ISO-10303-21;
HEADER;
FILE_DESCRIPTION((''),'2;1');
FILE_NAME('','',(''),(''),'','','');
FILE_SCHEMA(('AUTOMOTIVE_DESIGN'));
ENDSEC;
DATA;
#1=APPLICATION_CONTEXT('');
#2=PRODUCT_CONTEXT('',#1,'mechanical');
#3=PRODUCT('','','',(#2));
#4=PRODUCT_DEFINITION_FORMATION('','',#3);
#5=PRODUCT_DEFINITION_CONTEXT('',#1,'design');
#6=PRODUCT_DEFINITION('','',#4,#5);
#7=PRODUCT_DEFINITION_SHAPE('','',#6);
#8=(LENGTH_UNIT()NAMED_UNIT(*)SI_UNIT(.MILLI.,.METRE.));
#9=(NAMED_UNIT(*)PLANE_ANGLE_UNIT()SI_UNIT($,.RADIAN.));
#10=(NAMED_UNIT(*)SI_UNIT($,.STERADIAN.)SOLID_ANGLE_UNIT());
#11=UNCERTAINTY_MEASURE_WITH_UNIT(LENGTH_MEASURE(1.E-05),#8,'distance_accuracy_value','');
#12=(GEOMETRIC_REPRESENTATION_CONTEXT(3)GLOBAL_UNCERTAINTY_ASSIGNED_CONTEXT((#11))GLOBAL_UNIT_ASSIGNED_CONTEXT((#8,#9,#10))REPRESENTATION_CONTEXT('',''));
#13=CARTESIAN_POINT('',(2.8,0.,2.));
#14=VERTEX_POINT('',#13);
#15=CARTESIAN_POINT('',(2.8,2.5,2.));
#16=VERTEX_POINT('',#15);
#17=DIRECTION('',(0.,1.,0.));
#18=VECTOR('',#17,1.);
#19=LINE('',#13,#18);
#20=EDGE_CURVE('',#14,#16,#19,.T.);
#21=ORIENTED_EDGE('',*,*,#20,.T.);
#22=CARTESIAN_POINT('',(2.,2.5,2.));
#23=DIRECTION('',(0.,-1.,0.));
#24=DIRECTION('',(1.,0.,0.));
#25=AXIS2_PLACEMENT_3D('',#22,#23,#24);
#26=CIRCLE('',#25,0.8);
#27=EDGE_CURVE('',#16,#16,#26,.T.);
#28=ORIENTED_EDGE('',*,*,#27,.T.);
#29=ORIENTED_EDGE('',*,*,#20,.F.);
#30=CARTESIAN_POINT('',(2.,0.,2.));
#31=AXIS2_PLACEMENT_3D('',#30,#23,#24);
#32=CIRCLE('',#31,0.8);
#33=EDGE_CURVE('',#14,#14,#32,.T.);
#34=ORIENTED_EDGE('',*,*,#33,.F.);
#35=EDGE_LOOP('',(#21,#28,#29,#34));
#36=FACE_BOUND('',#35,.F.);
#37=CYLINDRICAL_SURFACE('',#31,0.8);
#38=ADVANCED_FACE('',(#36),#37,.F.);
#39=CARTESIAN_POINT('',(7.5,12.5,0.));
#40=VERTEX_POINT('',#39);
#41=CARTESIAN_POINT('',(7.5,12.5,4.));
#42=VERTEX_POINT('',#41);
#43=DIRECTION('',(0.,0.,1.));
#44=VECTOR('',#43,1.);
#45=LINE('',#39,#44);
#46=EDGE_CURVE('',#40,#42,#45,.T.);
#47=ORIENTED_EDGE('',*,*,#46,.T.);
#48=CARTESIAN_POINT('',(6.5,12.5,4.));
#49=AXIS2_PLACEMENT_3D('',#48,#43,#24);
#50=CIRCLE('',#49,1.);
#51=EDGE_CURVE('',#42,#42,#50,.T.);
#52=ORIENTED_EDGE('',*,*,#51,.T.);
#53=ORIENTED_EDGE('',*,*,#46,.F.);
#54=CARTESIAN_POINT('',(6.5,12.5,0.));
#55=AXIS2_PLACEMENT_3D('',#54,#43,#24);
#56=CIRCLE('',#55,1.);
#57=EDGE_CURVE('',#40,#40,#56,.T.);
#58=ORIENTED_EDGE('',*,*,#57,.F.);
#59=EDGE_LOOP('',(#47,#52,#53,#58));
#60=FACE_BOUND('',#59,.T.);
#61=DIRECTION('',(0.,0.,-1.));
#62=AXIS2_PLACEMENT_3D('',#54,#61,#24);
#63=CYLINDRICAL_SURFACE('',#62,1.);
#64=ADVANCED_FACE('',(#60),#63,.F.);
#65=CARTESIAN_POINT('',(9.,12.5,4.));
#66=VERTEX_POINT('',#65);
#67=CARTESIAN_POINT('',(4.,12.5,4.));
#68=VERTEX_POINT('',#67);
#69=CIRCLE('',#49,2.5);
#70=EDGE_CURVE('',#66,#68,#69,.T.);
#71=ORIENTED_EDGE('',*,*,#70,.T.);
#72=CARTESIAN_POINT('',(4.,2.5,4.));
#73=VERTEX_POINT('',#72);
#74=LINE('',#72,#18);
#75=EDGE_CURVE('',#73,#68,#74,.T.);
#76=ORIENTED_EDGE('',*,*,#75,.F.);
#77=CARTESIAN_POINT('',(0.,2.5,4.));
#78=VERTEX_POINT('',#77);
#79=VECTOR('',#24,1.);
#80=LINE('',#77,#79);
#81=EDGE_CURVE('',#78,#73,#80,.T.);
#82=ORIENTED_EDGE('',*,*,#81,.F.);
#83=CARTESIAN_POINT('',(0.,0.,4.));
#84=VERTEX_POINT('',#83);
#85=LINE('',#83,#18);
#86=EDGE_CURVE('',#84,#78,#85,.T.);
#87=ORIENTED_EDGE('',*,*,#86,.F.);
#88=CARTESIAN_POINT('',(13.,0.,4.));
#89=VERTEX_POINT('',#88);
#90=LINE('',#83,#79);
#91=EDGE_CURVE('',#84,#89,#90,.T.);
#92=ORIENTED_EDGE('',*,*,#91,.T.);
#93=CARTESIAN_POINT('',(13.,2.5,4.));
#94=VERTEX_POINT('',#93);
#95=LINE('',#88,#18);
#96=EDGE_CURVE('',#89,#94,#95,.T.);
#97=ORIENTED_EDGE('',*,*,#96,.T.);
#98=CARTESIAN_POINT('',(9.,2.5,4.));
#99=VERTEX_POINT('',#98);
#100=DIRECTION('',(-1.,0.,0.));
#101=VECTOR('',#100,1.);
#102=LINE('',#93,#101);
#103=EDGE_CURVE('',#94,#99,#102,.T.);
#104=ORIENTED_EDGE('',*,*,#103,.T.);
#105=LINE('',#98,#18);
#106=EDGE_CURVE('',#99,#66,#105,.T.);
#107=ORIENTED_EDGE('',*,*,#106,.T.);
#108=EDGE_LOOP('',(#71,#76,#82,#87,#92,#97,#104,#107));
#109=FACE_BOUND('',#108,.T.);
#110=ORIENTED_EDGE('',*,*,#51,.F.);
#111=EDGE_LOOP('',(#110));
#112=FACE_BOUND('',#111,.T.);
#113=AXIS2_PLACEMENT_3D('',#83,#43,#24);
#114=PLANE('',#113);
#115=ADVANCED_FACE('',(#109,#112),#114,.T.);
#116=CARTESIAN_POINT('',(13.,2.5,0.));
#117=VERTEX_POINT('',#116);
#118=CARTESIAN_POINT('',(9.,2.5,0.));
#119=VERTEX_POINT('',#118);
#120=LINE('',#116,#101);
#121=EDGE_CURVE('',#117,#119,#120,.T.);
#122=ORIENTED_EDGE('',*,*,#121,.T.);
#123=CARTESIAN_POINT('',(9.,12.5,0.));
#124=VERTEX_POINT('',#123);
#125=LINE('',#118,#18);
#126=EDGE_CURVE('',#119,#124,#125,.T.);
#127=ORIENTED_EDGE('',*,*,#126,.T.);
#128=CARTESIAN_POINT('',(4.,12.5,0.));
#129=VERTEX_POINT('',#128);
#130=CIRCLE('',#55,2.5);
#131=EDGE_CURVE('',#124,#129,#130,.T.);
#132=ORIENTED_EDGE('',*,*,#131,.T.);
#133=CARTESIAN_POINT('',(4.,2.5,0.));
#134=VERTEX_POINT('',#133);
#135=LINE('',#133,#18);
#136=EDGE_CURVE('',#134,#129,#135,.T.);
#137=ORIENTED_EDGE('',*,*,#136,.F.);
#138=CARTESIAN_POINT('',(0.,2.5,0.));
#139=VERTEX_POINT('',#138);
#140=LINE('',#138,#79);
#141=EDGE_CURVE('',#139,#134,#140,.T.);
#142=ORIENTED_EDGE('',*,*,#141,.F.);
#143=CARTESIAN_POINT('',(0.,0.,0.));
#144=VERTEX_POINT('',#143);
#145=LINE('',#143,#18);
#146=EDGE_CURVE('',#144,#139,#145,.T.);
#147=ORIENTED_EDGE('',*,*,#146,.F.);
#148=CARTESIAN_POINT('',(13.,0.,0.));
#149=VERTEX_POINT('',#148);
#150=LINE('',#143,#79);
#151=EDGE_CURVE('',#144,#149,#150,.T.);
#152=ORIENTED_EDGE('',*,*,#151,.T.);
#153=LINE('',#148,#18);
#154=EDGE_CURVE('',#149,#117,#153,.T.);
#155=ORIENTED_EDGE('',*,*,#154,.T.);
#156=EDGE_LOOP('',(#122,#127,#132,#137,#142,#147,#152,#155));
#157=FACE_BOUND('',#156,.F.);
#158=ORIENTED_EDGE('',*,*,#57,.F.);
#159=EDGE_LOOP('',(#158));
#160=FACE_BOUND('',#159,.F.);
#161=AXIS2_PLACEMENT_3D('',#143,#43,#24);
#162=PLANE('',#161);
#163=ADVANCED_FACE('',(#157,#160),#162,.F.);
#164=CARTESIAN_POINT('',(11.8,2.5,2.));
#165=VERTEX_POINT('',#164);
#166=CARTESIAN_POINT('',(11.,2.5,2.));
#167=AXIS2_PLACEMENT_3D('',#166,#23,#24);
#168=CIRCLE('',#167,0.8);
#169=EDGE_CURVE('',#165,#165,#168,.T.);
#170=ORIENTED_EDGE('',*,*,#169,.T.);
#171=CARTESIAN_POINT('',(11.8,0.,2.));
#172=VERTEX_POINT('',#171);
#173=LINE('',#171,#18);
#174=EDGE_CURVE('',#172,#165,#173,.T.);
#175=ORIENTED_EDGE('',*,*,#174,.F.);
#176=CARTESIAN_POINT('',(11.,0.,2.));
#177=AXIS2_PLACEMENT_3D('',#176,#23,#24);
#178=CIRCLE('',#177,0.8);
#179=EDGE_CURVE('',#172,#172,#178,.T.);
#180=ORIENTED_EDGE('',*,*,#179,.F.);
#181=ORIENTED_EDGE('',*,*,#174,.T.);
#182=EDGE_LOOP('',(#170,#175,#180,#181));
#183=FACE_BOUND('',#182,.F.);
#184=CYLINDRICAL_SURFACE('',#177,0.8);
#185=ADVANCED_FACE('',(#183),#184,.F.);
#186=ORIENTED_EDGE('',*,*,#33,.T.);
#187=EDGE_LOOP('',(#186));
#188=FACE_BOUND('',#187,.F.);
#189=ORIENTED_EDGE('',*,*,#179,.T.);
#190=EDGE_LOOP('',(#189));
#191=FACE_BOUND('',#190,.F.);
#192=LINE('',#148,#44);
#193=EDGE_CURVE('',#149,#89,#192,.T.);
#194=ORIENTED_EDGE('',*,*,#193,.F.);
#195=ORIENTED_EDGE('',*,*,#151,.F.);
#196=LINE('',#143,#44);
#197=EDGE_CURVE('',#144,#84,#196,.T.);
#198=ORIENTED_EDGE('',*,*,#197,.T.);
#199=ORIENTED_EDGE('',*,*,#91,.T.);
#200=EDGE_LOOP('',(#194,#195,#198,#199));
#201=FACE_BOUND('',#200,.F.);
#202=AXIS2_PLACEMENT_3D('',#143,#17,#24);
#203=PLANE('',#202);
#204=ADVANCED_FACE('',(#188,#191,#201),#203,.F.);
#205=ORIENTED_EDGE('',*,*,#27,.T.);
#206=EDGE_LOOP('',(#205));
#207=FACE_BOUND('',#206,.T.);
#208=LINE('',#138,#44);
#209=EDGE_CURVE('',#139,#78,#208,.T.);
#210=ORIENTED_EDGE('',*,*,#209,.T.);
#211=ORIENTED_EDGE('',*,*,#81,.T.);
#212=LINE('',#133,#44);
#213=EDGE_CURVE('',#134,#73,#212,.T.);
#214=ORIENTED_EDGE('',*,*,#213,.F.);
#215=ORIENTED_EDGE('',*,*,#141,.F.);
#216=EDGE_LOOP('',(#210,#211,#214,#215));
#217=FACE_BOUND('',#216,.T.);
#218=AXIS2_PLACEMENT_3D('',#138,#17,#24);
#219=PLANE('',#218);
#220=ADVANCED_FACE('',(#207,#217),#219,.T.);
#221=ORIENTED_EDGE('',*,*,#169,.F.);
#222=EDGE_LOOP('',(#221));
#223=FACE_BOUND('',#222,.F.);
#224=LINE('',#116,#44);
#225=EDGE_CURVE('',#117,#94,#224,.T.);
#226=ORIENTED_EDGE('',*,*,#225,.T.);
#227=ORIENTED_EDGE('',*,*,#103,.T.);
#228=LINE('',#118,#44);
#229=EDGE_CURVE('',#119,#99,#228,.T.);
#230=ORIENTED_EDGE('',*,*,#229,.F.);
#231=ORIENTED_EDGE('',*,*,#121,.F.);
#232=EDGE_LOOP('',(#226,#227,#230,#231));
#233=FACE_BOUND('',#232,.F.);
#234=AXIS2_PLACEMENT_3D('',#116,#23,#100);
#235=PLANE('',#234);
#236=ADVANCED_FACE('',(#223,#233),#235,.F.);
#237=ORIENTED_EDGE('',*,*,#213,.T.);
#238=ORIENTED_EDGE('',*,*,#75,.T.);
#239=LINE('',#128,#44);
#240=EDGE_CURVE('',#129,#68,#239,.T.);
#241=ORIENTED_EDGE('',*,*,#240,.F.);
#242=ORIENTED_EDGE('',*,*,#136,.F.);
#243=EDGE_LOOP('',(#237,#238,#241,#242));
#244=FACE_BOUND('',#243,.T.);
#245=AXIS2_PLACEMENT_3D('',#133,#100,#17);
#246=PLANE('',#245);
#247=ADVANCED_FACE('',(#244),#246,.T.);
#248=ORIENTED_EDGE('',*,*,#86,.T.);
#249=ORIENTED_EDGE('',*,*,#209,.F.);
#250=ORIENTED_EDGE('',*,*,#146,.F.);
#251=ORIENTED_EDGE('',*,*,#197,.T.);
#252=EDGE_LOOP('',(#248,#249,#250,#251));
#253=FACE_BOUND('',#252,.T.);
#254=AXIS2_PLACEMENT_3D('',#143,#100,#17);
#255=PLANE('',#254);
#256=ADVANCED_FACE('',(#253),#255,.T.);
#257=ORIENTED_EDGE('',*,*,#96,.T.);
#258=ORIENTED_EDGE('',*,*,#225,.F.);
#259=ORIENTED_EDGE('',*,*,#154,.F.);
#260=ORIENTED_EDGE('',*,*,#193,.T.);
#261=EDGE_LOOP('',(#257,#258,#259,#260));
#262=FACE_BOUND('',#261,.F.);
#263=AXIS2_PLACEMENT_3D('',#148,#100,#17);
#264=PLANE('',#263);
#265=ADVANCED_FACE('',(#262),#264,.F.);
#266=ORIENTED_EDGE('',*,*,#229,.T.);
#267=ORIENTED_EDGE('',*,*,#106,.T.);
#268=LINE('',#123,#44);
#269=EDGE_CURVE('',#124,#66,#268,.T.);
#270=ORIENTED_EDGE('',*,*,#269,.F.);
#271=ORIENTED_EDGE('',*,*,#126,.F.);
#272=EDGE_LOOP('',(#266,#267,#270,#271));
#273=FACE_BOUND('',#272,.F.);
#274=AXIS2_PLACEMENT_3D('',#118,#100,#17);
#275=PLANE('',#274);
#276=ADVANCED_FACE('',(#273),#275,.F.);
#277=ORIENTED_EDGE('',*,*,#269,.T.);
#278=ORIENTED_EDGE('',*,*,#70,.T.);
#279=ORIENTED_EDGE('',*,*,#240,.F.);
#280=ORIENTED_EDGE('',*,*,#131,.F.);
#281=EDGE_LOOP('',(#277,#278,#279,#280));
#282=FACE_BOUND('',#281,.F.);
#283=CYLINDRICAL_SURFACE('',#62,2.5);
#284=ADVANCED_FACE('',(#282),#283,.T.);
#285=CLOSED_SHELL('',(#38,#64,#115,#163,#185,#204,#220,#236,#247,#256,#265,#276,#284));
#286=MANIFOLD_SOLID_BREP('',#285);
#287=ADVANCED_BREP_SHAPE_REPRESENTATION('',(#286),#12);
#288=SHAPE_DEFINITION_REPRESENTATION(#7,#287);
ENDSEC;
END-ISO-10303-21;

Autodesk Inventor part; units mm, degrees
ref_plane "YZ Plane" through (0, 0, 0) normal (1, 0, 0) x (0, 1, 0)
ref_plane "XZ Plane" through (0, 0, 0) normal (0, 1, 0) x (-1, 0, 0)
ref_plane "XY Plane" through (0, 0, 0) normal (0, 0, 1) x (1, 0, 0)
sketch "スケッチ1" plane through (0, 0, 0) normal (0, 0, 1) x (1, 0, 0)
  line L0 (0, 0) -> (0, 2.5)
  line L1 (0, 2.5) -> (4, 2.5)
  line L2 (0, 0) -> (13, 0)
  line L3 (13, 0) -> (13, 2.5)
  line L4 (13, 2.5) -> (9, 2.5)
  line L5 (9, 2.5) -> (9, 12.5)
  line L6 (4, 2.5) -> (4, 12.5)
  arc A0 (9, 12.5) -> (4, 12.5) centre (6.5, 12.5) ccw
  circle A1 centre (6.5, 12.5) radius 1
  dimension "d1" = 2.5
  dimension "d3" = 4
  dimension "d14" = 5
  dimension "d15" = 2
  dimension "d19" = 10
extrude "押し出し1" add sketch "スケッチ1" along normal blind 4
sketch "スケッチ2" plane through (0, 0, 0) normal (0, -1, 0) x (1, 0, 0)
  line L0 (13, 0) -> (9, 0) projected
  line L1 (9, 0) -> (9, 4) projected
  line L2 (13, 4) -> (9, 4) projected
  line L3 (13, 0) -> (13, 4) projected
  line L4 (4, 0) -> (0, 0) projected
  line L5 (0, 0) -> (0, 4) projected
  line L6 (4, 4) -> (0, 4) projected
  line L7 (4, 0) -> (4, 4) projected
  line L8 (4, 0) -> (0, 4) construction
  line L9 (4, 4) -> (0, 0) construction
  line L10 (9, 4) -> (13, 0) construction
  line L11 (13, 4) -> (9, 0) construction
  circle A0 centre (11, 2) radius 0.8
  circle A1 centre (2, 2) radius 0.8
  dimension "d10" = 1.6
extrude "押し出し2" cut sketch "スケッチ2" against normal up to surface (2.5 mm away) contours A0 | A1
properties part number "Mount_left"
